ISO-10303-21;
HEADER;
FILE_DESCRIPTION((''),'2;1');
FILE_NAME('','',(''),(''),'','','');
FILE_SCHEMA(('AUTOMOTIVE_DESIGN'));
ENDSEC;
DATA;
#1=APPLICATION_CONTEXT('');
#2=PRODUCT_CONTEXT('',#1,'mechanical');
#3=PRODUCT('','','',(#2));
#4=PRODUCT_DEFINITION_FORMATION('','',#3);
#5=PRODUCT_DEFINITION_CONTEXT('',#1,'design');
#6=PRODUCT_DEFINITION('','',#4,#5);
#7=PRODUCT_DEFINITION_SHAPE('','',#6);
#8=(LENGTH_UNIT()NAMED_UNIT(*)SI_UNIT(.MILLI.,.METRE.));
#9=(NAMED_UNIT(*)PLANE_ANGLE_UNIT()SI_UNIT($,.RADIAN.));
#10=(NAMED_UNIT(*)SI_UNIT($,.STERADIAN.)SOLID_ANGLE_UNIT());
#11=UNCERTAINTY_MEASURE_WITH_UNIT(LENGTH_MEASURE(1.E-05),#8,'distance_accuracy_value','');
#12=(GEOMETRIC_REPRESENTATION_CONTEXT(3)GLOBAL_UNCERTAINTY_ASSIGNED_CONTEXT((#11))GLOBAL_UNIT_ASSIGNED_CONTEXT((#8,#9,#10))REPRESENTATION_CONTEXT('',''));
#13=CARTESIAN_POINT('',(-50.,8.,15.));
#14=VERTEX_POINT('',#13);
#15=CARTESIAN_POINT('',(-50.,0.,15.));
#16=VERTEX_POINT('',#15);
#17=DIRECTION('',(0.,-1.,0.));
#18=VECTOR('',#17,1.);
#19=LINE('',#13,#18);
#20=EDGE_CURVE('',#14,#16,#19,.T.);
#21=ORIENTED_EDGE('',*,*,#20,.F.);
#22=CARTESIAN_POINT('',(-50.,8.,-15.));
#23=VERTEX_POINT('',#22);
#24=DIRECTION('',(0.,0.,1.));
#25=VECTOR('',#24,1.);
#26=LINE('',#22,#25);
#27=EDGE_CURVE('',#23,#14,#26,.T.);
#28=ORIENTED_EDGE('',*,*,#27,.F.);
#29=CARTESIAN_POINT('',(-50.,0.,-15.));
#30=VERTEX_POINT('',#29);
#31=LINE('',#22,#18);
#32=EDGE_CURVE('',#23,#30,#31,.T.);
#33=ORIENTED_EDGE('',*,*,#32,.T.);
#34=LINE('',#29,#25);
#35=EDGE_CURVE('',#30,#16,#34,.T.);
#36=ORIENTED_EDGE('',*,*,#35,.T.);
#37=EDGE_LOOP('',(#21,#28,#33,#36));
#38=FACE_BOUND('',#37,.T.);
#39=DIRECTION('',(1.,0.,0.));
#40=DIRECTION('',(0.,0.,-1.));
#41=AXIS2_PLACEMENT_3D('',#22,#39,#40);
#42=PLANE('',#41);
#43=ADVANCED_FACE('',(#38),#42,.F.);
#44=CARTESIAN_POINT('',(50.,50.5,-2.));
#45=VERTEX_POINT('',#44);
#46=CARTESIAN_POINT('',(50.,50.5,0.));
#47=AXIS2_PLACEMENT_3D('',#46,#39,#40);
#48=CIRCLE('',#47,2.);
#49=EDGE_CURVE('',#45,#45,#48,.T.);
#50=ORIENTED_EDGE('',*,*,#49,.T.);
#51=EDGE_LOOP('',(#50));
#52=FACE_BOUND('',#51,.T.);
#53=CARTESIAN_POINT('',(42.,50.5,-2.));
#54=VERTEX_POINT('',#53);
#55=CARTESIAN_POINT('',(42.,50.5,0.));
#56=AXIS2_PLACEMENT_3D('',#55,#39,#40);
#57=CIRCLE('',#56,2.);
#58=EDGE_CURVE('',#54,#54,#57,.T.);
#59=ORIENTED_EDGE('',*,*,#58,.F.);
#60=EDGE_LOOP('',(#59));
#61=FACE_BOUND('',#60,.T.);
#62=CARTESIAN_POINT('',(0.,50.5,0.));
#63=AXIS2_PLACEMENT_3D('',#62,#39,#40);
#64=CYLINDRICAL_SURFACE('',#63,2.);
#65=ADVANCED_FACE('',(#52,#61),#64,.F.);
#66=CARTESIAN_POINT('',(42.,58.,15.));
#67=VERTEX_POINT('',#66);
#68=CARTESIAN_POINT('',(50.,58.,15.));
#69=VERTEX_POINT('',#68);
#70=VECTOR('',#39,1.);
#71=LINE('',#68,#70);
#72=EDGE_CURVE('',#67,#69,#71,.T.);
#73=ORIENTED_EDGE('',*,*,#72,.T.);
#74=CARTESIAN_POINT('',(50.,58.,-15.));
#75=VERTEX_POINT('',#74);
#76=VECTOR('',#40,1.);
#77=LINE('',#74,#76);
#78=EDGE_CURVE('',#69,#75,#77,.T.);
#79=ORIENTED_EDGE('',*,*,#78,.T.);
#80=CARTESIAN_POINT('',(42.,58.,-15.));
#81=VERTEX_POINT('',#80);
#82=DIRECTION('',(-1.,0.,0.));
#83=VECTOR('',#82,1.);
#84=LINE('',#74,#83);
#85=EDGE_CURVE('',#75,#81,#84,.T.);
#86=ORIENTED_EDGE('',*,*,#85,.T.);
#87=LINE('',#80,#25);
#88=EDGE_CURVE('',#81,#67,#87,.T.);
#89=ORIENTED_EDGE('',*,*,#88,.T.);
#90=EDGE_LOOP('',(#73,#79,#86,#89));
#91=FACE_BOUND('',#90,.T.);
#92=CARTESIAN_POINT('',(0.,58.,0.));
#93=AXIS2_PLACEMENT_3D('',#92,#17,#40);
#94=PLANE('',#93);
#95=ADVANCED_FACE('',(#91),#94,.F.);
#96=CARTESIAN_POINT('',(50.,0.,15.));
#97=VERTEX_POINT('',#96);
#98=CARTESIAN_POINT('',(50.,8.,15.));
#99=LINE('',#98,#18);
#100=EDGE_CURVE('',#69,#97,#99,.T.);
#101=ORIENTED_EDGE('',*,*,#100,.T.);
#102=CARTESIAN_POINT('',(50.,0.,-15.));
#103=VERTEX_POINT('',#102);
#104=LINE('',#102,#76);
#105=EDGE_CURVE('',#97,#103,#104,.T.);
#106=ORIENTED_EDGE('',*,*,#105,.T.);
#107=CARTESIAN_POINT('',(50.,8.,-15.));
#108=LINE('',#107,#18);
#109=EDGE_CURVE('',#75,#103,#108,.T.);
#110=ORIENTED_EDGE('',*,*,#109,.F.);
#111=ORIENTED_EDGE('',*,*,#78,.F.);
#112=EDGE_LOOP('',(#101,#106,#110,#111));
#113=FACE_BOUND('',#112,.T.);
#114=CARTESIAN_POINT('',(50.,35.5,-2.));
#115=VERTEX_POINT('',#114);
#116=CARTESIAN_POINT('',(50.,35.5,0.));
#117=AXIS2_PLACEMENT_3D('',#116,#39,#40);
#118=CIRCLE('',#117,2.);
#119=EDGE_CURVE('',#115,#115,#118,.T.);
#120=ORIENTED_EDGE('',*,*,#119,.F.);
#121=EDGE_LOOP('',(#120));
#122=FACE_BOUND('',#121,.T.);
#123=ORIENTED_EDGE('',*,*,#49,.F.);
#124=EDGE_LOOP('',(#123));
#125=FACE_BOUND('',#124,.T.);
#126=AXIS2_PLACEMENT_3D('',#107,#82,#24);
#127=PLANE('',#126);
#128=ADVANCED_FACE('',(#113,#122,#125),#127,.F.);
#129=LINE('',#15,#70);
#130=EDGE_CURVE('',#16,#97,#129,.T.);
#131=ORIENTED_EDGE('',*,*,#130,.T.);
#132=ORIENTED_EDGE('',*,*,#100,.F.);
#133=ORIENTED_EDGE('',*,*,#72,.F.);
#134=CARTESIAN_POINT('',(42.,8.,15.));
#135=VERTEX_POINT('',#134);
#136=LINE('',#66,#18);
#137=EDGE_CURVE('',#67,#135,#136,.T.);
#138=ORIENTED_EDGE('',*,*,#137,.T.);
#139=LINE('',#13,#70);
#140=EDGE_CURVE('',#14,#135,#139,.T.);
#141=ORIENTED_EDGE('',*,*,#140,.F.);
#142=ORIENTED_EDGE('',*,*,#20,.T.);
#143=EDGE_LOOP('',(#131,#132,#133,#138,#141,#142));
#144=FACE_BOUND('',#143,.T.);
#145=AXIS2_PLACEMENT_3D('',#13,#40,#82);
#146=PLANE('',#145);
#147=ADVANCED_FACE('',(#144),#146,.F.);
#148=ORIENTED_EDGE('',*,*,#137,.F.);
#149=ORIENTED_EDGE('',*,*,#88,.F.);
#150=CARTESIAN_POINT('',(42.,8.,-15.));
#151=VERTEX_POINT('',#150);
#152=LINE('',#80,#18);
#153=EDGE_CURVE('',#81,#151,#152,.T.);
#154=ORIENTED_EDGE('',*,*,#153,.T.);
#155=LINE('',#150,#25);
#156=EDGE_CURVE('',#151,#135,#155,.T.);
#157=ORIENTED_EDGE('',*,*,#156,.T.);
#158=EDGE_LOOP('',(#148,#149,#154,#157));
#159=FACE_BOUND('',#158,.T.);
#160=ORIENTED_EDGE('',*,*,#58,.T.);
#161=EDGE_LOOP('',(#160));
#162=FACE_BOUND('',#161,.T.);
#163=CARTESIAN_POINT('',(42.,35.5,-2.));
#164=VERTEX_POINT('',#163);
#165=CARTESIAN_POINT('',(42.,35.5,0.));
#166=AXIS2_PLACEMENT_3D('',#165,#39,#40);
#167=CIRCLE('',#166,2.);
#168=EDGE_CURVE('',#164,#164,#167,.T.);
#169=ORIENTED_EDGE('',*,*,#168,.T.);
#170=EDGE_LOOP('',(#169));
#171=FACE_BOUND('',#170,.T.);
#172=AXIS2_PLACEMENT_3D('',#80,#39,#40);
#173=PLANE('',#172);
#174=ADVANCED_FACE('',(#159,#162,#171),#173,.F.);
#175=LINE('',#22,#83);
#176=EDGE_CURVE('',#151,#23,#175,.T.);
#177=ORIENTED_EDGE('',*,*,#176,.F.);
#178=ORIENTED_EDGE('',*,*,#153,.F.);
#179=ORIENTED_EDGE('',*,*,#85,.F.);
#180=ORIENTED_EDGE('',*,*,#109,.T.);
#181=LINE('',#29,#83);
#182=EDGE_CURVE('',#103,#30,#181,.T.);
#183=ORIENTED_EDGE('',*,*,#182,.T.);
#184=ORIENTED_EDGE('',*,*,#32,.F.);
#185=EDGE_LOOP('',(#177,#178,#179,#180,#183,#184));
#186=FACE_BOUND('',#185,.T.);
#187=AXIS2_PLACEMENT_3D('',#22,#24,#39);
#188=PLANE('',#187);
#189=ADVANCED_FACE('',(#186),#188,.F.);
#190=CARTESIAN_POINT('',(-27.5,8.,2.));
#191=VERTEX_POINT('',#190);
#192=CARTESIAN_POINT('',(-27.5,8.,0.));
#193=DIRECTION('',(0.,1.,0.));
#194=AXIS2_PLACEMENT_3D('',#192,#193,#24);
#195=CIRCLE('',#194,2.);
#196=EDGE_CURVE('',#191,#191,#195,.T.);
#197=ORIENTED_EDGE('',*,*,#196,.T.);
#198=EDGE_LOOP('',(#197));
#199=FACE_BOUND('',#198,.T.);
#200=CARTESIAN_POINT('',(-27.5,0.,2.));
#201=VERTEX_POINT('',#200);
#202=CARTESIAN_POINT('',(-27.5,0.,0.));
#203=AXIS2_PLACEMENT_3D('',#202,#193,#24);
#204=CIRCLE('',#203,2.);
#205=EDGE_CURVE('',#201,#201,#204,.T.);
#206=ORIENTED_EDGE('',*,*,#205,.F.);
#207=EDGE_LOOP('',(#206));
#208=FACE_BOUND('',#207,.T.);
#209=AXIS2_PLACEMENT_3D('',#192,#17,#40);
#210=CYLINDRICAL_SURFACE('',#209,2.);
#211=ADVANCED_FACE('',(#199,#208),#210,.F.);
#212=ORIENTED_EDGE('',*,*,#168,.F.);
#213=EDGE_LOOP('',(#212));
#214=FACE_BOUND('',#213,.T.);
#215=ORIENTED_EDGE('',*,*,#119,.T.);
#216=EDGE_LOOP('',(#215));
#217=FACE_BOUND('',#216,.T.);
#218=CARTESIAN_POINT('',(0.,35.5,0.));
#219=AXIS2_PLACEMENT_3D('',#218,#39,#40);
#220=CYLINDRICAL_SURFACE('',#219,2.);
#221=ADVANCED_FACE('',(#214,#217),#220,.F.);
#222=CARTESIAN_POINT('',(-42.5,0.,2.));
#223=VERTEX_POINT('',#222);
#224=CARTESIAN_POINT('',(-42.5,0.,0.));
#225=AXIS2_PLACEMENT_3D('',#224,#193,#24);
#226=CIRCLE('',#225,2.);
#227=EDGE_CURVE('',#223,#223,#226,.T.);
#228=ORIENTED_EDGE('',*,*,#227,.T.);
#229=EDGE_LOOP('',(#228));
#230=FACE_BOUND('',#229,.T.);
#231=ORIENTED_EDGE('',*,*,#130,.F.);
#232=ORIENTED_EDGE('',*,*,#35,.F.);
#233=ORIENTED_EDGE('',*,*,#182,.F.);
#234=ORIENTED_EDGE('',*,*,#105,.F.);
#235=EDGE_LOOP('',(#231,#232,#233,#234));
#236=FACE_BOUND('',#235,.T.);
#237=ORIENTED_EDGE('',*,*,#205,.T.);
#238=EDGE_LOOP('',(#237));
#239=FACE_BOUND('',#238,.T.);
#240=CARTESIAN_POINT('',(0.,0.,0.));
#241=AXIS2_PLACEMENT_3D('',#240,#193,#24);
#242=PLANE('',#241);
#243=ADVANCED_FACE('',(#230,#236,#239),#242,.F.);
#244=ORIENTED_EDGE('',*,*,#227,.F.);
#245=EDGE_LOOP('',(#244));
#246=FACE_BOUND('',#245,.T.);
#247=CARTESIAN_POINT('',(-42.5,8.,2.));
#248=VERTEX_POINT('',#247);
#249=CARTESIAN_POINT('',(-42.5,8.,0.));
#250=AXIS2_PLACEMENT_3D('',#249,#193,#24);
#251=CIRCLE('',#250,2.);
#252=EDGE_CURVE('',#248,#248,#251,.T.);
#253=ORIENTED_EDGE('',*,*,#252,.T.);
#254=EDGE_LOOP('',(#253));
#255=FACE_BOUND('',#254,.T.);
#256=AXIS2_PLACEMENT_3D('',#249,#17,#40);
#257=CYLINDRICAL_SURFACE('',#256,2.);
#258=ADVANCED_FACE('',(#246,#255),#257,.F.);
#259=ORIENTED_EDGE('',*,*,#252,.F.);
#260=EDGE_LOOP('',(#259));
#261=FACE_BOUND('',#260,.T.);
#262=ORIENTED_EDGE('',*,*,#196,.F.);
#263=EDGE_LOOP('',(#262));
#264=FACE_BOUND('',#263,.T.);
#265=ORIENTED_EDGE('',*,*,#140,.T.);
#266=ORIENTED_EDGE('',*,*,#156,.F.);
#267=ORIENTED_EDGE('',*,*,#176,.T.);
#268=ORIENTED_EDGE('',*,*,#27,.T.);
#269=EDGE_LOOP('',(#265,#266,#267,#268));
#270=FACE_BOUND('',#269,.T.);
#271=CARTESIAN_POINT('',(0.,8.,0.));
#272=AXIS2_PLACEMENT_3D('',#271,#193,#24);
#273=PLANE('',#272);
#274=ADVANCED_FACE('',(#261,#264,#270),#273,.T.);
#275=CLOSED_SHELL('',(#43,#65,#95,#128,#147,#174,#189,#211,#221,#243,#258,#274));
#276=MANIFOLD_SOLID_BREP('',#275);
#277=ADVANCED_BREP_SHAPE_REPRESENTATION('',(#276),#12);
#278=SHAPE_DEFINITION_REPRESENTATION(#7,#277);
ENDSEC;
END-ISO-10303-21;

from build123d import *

# Parameters (mm, degrees)
SKETCH1_W           = 100
SKETCH1_H           = 30
SKETCH1_R           = 2
BOSS_EXTRUDE1_DEPTH = 8
SKETCH2_W           = 8
SKETCH2_H           = 30
BOSS_EXTRUDE2_DEPTH = 50
SKETCH3_R           = 2
CUT_EXTRUDE1_DEPTH  = 50


with BuildPart() as part:
    # Sketch1 → Boss-Extrude1 (new body)
    with BuildSketch(Plane(origin=(0, 0, 0), x_dir=(1, 0, 0), z_dir=(0, 1, 0))):
        Rectangle(SKETCH1_W, SKETCH1_H)
        with Locations(Location((-42.5, 0, 0), (0, 0, 270))):
            Circle(SKETCH1_R, mode=Mode.SUBTRACT)
        with Locations(Location((-27.5, 0, 0), (0, 0, 270))):
            Circle(SKETCH1_R, mode=Mode.SUBTRACT)
    extrude(amount=BOSS_EXTRUDE1_DEPTH)

    # Sketch2 → Boss-Extrude2 (add)
    with BuildSketch(Plane(origin=(0, 8, 0), x_dir=(1, 0, 0), z_dir=(0, 1, 0))):
        with Locations((46, 0)):
            Rectangle(SKETCH2_W, SKETCH2_H)
    extrude(amount=BOSS_EXTRUDE2_DEPTH)

    # Sketch3 → Cut-Extrude1 (cut)
    with BuildSketch(Plane(origin=(50, 0, 0), x_dir=(0, 0, -1), z_dir=(1, 0, 0))):
        with Locations((0, 50.5)):
            Circle(SKETCH3_R)
        with Locations((0, 35.5)):
            Circle(SKETCH3_R)
    extrude(amount=-CUT_EXTRUDE1_DEPTH, mode=Mode.SUBTRACT)


solid = part.part
